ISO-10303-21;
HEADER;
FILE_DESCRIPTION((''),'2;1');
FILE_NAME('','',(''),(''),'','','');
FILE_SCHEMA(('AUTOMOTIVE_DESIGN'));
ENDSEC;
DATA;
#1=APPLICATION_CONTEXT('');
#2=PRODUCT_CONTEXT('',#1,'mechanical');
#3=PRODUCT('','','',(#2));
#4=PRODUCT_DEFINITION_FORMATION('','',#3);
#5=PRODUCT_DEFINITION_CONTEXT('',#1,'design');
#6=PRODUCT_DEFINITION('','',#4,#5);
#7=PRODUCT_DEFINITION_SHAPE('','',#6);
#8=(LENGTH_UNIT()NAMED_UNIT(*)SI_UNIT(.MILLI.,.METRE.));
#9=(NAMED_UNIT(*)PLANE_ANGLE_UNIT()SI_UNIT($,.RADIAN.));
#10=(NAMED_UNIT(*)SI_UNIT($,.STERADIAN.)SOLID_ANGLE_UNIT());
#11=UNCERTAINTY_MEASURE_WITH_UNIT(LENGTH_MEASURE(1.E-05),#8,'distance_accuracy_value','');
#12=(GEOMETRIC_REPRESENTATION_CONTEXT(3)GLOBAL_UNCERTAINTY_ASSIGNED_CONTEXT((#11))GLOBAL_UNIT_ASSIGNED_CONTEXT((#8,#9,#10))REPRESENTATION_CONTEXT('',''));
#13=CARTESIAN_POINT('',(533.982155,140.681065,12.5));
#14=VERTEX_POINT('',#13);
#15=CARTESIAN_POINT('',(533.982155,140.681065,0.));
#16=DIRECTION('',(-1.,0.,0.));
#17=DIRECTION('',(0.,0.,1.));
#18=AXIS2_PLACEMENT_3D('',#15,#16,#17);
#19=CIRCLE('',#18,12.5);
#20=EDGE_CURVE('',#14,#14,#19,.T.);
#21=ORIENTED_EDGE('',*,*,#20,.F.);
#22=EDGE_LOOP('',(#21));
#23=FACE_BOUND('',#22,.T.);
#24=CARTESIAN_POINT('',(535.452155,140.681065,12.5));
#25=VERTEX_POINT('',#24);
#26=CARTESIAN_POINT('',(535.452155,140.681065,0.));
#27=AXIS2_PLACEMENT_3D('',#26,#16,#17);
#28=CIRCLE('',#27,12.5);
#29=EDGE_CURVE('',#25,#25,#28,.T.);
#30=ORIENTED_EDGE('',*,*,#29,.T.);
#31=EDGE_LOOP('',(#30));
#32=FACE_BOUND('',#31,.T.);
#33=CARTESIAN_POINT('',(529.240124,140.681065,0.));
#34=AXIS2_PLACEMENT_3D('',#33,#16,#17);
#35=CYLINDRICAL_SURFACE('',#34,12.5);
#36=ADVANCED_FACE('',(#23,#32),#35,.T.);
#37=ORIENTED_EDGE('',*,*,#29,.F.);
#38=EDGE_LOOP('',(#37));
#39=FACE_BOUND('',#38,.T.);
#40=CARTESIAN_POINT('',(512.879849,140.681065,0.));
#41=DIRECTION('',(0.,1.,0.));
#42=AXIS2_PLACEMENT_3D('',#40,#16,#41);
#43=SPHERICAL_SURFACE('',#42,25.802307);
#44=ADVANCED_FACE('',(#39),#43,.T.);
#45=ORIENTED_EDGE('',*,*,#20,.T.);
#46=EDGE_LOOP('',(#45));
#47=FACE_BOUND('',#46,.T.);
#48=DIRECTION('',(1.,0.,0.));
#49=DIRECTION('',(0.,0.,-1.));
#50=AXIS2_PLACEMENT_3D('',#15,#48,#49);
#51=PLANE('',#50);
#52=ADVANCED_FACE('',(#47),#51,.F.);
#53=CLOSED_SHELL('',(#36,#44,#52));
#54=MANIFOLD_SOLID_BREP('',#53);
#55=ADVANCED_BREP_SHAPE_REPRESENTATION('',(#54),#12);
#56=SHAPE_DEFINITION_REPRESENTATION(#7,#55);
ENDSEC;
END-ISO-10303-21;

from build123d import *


with BuildPart() as part:
    # 草图1 → 旋转1 (revolve)
    with BuildSketch(Plane.XY):
        with BuildLine():
            Line((533.982155374, 140.681065344), (533.982155374, 153.181065344))
            Line((533.982155374, 153.181065344), (535.452155374, 153.181065344))
            ThreePointArc((535.452155374, 153.181065344), (537.861608134, 147.136351937), (538.682155374, 140.681065344))
            Line((538.682155374, 140.681065344), (533.982155374, 140.681065344))
        make_face()
    revolve(axis=Axis((529.240124133, 140.681065344, 0), (1, 0, 0)))


solid = part.part
